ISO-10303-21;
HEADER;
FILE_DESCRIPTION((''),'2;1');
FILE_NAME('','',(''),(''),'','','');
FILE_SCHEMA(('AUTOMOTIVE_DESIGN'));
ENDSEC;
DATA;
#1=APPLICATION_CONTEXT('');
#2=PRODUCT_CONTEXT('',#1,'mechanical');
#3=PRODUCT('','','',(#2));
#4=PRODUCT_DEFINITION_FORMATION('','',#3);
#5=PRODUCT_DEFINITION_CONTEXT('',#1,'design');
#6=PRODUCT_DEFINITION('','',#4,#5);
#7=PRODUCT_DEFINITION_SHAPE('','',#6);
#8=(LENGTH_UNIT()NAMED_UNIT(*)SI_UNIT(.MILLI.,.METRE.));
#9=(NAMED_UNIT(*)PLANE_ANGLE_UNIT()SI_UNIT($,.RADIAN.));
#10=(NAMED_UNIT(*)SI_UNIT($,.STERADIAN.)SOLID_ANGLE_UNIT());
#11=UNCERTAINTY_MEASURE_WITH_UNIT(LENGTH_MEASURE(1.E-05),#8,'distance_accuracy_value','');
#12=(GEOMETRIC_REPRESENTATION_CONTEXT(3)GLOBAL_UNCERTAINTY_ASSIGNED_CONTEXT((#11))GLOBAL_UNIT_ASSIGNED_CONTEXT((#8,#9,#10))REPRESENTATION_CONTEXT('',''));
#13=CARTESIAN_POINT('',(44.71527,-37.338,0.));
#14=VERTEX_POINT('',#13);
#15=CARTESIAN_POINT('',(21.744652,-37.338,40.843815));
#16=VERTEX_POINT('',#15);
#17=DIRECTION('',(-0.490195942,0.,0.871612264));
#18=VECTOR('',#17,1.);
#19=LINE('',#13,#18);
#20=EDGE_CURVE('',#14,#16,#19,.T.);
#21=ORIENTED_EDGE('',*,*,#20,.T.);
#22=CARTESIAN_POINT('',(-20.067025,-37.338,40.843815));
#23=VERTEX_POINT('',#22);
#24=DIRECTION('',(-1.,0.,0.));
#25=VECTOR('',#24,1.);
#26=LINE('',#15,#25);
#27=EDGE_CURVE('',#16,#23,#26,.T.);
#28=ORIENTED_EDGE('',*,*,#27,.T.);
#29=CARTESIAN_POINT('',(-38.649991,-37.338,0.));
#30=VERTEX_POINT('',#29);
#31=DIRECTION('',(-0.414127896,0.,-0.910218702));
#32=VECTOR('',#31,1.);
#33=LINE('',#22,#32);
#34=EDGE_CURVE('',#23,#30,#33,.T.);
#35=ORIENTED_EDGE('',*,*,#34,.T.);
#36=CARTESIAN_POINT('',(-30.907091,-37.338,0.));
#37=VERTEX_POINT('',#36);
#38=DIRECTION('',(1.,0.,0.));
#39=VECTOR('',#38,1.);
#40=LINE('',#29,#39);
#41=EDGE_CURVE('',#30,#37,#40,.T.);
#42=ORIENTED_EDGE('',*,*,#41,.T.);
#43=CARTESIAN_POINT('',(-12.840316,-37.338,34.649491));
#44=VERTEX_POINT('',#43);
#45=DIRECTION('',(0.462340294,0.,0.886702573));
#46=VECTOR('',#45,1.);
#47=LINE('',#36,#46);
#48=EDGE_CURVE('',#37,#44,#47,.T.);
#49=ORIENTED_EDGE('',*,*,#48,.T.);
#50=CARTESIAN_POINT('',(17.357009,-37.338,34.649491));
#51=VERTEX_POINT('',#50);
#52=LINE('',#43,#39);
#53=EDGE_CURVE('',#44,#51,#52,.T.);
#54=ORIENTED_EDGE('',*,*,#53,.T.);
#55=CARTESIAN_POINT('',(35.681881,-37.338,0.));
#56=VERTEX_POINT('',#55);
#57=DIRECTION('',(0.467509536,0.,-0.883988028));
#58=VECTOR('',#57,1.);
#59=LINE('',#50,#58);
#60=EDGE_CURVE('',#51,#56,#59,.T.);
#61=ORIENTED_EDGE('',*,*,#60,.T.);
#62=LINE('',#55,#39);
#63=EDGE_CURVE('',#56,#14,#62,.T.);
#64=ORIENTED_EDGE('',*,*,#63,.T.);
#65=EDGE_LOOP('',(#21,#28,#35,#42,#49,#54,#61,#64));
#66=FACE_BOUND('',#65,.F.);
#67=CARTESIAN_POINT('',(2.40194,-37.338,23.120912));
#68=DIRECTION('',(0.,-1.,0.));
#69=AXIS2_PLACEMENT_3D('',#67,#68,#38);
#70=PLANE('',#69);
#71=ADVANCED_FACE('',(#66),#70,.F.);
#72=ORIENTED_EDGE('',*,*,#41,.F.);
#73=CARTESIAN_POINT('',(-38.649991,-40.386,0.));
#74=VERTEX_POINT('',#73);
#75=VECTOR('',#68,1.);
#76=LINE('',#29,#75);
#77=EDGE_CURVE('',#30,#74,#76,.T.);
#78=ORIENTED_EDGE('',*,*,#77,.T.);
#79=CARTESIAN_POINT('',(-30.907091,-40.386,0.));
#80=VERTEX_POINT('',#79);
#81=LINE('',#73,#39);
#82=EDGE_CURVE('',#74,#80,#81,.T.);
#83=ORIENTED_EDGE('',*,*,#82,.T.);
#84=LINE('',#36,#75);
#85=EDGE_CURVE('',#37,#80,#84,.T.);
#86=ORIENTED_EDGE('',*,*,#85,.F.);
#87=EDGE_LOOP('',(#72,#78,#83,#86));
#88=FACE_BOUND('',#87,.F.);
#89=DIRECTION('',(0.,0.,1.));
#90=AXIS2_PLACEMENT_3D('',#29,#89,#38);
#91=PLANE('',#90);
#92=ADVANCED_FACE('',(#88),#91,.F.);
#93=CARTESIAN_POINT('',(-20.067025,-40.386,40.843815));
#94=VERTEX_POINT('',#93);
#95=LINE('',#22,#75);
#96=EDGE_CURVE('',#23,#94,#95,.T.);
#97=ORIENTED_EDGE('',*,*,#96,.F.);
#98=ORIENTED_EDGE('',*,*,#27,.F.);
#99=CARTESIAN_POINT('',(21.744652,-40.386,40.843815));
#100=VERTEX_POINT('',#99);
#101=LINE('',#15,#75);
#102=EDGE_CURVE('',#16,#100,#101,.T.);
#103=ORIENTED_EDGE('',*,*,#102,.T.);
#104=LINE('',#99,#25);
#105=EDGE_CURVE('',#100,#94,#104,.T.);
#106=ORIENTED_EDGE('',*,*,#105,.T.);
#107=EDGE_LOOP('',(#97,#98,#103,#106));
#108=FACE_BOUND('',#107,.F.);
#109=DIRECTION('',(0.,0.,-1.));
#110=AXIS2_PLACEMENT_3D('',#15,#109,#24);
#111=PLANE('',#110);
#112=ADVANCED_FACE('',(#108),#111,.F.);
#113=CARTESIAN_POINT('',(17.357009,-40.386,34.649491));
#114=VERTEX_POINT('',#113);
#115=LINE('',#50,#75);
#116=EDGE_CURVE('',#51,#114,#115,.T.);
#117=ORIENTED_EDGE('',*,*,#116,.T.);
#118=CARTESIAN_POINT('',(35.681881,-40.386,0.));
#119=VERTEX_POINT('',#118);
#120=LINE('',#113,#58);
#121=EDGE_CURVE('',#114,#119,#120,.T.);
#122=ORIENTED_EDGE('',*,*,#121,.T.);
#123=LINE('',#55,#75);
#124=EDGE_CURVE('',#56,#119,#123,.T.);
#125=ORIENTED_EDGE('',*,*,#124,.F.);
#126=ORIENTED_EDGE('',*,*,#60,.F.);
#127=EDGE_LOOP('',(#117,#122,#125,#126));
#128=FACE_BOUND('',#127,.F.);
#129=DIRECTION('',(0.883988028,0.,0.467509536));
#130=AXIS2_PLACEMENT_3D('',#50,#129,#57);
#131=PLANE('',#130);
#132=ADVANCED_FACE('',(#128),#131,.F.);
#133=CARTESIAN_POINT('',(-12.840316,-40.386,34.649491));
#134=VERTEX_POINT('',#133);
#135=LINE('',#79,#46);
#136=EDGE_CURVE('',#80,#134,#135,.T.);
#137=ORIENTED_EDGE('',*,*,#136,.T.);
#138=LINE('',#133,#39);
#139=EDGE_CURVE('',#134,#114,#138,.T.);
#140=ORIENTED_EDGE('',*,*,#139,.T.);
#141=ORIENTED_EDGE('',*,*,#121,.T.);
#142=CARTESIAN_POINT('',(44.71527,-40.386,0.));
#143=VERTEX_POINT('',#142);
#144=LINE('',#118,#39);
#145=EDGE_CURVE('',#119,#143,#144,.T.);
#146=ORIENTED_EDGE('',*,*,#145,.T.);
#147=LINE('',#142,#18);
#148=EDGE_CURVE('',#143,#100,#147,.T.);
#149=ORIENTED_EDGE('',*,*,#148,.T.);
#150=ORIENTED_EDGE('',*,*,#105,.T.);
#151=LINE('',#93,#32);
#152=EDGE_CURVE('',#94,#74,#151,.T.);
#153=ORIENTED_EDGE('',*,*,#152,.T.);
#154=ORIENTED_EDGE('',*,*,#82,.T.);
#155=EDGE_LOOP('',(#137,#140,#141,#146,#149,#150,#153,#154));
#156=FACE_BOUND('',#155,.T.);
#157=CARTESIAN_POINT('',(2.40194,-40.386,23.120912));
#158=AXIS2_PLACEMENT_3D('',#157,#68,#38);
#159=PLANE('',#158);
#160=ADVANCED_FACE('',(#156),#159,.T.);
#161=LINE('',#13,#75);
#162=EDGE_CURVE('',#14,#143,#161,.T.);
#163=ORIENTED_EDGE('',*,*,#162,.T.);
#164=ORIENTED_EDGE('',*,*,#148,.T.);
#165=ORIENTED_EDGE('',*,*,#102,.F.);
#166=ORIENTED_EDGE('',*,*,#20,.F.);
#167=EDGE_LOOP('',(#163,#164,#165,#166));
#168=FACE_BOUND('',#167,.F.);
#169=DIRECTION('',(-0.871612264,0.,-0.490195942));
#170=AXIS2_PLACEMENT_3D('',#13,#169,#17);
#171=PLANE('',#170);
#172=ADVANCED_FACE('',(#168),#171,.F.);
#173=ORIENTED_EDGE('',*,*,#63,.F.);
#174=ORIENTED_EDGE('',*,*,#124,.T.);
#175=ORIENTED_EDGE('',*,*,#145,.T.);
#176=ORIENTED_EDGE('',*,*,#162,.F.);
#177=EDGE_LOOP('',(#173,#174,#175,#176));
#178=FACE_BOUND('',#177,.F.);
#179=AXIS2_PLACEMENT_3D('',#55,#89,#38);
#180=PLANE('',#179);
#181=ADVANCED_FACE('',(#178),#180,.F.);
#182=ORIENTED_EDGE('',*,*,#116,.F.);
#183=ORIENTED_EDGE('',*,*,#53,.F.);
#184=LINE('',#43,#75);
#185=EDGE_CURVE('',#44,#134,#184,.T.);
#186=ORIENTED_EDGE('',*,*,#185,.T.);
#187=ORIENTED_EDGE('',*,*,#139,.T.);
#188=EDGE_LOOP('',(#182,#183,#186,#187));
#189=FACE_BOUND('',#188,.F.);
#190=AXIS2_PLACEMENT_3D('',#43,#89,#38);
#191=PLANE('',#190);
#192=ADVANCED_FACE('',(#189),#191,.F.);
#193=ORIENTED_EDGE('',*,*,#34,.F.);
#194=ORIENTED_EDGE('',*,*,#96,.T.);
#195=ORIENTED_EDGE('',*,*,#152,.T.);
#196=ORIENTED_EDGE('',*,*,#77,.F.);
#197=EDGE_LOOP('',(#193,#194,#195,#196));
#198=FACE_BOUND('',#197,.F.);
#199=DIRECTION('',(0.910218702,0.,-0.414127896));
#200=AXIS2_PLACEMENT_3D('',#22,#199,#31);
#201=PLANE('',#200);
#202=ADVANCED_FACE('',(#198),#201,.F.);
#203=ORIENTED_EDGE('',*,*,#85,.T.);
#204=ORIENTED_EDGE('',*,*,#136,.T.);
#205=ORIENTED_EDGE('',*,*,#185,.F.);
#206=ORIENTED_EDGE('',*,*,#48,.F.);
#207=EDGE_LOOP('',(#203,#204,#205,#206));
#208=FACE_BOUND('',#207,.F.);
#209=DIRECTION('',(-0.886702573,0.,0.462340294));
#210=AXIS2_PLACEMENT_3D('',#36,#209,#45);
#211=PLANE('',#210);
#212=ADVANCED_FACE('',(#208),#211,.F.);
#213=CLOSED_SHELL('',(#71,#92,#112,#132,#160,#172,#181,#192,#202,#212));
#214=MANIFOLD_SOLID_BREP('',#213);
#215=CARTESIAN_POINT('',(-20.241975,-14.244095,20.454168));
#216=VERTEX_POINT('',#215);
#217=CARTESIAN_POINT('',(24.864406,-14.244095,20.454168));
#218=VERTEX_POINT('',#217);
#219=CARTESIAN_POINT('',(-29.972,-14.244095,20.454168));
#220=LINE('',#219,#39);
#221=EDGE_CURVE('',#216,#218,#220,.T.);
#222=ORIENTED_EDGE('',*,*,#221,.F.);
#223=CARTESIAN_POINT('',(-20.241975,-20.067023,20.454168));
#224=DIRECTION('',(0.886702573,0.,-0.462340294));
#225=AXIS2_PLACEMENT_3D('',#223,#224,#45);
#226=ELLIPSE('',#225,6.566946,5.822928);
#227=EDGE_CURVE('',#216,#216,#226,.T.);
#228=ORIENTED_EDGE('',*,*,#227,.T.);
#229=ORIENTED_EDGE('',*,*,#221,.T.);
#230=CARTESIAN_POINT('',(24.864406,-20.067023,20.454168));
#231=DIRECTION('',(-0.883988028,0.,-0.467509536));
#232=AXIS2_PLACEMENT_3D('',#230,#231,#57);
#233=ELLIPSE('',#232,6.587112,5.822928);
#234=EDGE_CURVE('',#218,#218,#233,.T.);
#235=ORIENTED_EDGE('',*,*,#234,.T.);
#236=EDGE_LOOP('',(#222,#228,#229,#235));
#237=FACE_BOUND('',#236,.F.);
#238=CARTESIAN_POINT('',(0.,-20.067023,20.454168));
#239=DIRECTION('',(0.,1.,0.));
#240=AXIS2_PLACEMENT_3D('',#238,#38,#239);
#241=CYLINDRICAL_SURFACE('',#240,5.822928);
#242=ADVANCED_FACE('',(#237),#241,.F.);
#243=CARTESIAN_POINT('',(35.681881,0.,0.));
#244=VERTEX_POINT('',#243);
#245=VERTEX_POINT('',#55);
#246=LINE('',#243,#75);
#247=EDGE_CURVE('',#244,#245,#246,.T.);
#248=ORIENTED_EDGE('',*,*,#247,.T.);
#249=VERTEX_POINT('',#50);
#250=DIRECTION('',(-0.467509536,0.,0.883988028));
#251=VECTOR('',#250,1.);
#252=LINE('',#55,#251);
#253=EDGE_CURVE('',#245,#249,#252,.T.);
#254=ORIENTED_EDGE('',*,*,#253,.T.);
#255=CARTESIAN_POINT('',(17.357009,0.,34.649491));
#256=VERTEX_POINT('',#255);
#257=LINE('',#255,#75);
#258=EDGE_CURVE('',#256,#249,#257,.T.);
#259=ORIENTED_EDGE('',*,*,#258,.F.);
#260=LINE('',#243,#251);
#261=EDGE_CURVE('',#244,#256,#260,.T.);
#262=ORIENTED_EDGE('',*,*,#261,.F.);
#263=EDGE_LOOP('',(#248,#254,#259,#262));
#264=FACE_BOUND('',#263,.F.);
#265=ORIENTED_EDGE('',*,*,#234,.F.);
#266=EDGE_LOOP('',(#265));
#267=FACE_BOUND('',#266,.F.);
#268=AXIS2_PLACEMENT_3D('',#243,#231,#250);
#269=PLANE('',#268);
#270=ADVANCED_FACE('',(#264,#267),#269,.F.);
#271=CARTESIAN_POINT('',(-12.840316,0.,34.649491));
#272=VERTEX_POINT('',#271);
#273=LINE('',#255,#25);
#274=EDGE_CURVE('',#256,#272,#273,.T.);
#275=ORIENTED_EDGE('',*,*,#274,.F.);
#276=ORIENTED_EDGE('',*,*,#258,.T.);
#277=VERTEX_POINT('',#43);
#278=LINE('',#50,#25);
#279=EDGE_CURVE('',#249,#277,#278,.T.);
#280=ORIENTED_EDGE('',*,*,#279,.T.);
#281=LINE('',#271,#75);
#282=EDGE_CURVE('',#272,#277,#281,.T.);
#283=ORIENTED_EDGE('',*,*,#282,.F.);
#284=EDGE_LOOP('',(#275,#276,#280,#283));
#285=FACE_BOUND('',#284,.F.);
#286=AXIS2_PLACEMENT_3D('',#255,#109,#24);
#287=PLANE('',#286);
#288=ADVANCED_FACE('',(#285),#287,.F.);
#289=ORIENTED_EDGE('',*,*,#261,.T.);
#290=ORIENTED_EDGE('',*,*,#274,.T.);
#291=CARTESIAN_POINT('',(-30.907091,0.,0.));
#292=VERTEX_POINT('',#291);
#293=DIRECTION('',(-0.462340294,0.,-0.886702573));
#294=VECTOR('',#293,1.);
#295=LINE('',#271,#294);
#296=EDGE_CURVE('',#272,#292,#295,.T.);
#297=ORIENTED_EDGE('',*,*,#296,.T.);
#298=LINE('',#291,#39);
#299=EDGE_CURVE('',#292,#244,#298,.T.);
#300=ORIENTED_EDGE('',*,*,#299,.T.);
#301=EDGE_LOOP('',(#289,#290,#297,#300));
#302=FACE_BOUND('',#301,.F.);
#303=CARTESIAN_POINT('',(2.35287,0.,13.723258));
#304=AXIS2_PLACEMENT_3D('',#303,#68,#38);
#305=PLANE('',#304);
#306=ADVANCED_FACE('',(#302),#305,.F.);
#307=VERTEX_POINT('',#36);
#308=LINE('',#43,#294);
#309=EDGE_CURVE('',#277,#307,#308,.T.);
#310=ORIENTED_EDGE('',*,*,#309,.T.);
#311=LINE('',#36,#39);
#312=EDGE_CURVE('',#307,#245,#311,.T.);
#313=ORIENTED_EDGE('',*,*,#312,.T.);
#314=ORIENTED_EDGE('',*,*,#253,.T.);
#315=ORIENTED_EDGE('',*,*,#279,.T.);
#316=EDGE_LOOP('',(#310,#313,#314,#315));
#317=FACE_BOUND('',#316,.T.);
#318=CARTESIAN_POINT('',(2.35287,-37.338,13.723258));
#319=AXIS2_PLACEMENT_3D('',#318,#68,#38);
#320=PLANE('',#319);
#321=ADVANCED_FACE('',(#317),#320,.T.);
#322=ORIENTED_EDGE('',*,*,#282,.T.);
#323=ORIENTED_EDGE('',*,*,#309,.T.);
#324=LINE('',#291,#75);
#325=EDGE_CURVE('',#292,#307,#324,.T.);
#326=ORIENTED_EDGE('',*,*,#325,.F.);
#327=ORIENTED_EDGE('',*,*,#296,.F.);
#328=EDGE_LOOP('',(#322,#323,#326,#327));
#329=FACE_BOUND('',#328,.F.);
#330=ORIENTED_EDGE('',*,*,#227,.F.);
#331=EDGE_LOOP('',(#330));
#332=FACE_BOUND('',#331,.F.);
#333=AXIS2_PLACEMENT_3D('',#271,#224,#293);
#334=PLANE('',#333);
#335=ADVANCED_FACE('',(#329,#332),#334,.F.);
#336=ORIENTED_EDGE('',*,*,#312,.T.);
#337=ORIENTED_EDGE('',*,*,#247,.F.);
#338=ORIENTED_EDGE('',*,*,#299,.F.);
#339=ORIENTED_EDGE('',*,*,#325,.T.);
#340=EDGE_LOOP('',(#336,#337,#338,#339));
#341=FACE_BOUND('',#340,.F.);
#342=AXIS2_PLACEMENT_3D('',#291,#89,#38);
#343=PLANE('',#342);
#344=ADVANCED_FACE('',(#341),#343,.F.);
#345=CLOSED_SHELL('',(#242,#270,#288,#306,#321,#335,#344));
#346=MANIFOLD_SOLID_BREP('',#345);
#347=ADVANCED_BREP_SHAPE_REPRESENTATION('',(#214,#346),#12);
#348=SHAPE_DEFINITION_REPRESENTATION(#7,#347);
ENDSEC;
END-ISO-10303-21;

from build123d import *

# Parameters (mm, degrees)
F1_DEPTH = 37.338
F2_R     = 5.822928
F3_DEPTH = 29.972
F5_DEPTH = 3.048


with BuildPart() as f1:
    # F0 (on Front) → F1 (new body)
    with BuildSketch(Plane.XZ):
        Polygon((-12.840316, 34.649491), (-30.907091, 0), (35.681881, 0), (17.357009, 34.649491), align=None)
    extrude(amount=F1_DEPTH)

    # F2 (on Right) → F3 (cut, symmetric)
    with BuildSketch(Plane.YZ):
        with Locations((-20.067023, 20.454168)):
            Circle(F2_R)
    extrude(amount=F3_DEPTH, both=True, mode=Mode.SUBTRACT)


with BuildPart() as f5:
    # F4 (on face) → F5 (new body)
    with BuildSketch(Plane.XZ.offset(37.338)):
        Polygon((-20.067025, 40.843815), (-38.649991, 0), (-30.907091, 0), (-12.840316, 34.649491), (17.357009, 34.649491), (35.681881, 0), (44.71527, 0), (21.744652, 40.843815), align=None)
    extrude(amount=F5_DEPTH)


solid = Compound([f1.part, f5.part])
